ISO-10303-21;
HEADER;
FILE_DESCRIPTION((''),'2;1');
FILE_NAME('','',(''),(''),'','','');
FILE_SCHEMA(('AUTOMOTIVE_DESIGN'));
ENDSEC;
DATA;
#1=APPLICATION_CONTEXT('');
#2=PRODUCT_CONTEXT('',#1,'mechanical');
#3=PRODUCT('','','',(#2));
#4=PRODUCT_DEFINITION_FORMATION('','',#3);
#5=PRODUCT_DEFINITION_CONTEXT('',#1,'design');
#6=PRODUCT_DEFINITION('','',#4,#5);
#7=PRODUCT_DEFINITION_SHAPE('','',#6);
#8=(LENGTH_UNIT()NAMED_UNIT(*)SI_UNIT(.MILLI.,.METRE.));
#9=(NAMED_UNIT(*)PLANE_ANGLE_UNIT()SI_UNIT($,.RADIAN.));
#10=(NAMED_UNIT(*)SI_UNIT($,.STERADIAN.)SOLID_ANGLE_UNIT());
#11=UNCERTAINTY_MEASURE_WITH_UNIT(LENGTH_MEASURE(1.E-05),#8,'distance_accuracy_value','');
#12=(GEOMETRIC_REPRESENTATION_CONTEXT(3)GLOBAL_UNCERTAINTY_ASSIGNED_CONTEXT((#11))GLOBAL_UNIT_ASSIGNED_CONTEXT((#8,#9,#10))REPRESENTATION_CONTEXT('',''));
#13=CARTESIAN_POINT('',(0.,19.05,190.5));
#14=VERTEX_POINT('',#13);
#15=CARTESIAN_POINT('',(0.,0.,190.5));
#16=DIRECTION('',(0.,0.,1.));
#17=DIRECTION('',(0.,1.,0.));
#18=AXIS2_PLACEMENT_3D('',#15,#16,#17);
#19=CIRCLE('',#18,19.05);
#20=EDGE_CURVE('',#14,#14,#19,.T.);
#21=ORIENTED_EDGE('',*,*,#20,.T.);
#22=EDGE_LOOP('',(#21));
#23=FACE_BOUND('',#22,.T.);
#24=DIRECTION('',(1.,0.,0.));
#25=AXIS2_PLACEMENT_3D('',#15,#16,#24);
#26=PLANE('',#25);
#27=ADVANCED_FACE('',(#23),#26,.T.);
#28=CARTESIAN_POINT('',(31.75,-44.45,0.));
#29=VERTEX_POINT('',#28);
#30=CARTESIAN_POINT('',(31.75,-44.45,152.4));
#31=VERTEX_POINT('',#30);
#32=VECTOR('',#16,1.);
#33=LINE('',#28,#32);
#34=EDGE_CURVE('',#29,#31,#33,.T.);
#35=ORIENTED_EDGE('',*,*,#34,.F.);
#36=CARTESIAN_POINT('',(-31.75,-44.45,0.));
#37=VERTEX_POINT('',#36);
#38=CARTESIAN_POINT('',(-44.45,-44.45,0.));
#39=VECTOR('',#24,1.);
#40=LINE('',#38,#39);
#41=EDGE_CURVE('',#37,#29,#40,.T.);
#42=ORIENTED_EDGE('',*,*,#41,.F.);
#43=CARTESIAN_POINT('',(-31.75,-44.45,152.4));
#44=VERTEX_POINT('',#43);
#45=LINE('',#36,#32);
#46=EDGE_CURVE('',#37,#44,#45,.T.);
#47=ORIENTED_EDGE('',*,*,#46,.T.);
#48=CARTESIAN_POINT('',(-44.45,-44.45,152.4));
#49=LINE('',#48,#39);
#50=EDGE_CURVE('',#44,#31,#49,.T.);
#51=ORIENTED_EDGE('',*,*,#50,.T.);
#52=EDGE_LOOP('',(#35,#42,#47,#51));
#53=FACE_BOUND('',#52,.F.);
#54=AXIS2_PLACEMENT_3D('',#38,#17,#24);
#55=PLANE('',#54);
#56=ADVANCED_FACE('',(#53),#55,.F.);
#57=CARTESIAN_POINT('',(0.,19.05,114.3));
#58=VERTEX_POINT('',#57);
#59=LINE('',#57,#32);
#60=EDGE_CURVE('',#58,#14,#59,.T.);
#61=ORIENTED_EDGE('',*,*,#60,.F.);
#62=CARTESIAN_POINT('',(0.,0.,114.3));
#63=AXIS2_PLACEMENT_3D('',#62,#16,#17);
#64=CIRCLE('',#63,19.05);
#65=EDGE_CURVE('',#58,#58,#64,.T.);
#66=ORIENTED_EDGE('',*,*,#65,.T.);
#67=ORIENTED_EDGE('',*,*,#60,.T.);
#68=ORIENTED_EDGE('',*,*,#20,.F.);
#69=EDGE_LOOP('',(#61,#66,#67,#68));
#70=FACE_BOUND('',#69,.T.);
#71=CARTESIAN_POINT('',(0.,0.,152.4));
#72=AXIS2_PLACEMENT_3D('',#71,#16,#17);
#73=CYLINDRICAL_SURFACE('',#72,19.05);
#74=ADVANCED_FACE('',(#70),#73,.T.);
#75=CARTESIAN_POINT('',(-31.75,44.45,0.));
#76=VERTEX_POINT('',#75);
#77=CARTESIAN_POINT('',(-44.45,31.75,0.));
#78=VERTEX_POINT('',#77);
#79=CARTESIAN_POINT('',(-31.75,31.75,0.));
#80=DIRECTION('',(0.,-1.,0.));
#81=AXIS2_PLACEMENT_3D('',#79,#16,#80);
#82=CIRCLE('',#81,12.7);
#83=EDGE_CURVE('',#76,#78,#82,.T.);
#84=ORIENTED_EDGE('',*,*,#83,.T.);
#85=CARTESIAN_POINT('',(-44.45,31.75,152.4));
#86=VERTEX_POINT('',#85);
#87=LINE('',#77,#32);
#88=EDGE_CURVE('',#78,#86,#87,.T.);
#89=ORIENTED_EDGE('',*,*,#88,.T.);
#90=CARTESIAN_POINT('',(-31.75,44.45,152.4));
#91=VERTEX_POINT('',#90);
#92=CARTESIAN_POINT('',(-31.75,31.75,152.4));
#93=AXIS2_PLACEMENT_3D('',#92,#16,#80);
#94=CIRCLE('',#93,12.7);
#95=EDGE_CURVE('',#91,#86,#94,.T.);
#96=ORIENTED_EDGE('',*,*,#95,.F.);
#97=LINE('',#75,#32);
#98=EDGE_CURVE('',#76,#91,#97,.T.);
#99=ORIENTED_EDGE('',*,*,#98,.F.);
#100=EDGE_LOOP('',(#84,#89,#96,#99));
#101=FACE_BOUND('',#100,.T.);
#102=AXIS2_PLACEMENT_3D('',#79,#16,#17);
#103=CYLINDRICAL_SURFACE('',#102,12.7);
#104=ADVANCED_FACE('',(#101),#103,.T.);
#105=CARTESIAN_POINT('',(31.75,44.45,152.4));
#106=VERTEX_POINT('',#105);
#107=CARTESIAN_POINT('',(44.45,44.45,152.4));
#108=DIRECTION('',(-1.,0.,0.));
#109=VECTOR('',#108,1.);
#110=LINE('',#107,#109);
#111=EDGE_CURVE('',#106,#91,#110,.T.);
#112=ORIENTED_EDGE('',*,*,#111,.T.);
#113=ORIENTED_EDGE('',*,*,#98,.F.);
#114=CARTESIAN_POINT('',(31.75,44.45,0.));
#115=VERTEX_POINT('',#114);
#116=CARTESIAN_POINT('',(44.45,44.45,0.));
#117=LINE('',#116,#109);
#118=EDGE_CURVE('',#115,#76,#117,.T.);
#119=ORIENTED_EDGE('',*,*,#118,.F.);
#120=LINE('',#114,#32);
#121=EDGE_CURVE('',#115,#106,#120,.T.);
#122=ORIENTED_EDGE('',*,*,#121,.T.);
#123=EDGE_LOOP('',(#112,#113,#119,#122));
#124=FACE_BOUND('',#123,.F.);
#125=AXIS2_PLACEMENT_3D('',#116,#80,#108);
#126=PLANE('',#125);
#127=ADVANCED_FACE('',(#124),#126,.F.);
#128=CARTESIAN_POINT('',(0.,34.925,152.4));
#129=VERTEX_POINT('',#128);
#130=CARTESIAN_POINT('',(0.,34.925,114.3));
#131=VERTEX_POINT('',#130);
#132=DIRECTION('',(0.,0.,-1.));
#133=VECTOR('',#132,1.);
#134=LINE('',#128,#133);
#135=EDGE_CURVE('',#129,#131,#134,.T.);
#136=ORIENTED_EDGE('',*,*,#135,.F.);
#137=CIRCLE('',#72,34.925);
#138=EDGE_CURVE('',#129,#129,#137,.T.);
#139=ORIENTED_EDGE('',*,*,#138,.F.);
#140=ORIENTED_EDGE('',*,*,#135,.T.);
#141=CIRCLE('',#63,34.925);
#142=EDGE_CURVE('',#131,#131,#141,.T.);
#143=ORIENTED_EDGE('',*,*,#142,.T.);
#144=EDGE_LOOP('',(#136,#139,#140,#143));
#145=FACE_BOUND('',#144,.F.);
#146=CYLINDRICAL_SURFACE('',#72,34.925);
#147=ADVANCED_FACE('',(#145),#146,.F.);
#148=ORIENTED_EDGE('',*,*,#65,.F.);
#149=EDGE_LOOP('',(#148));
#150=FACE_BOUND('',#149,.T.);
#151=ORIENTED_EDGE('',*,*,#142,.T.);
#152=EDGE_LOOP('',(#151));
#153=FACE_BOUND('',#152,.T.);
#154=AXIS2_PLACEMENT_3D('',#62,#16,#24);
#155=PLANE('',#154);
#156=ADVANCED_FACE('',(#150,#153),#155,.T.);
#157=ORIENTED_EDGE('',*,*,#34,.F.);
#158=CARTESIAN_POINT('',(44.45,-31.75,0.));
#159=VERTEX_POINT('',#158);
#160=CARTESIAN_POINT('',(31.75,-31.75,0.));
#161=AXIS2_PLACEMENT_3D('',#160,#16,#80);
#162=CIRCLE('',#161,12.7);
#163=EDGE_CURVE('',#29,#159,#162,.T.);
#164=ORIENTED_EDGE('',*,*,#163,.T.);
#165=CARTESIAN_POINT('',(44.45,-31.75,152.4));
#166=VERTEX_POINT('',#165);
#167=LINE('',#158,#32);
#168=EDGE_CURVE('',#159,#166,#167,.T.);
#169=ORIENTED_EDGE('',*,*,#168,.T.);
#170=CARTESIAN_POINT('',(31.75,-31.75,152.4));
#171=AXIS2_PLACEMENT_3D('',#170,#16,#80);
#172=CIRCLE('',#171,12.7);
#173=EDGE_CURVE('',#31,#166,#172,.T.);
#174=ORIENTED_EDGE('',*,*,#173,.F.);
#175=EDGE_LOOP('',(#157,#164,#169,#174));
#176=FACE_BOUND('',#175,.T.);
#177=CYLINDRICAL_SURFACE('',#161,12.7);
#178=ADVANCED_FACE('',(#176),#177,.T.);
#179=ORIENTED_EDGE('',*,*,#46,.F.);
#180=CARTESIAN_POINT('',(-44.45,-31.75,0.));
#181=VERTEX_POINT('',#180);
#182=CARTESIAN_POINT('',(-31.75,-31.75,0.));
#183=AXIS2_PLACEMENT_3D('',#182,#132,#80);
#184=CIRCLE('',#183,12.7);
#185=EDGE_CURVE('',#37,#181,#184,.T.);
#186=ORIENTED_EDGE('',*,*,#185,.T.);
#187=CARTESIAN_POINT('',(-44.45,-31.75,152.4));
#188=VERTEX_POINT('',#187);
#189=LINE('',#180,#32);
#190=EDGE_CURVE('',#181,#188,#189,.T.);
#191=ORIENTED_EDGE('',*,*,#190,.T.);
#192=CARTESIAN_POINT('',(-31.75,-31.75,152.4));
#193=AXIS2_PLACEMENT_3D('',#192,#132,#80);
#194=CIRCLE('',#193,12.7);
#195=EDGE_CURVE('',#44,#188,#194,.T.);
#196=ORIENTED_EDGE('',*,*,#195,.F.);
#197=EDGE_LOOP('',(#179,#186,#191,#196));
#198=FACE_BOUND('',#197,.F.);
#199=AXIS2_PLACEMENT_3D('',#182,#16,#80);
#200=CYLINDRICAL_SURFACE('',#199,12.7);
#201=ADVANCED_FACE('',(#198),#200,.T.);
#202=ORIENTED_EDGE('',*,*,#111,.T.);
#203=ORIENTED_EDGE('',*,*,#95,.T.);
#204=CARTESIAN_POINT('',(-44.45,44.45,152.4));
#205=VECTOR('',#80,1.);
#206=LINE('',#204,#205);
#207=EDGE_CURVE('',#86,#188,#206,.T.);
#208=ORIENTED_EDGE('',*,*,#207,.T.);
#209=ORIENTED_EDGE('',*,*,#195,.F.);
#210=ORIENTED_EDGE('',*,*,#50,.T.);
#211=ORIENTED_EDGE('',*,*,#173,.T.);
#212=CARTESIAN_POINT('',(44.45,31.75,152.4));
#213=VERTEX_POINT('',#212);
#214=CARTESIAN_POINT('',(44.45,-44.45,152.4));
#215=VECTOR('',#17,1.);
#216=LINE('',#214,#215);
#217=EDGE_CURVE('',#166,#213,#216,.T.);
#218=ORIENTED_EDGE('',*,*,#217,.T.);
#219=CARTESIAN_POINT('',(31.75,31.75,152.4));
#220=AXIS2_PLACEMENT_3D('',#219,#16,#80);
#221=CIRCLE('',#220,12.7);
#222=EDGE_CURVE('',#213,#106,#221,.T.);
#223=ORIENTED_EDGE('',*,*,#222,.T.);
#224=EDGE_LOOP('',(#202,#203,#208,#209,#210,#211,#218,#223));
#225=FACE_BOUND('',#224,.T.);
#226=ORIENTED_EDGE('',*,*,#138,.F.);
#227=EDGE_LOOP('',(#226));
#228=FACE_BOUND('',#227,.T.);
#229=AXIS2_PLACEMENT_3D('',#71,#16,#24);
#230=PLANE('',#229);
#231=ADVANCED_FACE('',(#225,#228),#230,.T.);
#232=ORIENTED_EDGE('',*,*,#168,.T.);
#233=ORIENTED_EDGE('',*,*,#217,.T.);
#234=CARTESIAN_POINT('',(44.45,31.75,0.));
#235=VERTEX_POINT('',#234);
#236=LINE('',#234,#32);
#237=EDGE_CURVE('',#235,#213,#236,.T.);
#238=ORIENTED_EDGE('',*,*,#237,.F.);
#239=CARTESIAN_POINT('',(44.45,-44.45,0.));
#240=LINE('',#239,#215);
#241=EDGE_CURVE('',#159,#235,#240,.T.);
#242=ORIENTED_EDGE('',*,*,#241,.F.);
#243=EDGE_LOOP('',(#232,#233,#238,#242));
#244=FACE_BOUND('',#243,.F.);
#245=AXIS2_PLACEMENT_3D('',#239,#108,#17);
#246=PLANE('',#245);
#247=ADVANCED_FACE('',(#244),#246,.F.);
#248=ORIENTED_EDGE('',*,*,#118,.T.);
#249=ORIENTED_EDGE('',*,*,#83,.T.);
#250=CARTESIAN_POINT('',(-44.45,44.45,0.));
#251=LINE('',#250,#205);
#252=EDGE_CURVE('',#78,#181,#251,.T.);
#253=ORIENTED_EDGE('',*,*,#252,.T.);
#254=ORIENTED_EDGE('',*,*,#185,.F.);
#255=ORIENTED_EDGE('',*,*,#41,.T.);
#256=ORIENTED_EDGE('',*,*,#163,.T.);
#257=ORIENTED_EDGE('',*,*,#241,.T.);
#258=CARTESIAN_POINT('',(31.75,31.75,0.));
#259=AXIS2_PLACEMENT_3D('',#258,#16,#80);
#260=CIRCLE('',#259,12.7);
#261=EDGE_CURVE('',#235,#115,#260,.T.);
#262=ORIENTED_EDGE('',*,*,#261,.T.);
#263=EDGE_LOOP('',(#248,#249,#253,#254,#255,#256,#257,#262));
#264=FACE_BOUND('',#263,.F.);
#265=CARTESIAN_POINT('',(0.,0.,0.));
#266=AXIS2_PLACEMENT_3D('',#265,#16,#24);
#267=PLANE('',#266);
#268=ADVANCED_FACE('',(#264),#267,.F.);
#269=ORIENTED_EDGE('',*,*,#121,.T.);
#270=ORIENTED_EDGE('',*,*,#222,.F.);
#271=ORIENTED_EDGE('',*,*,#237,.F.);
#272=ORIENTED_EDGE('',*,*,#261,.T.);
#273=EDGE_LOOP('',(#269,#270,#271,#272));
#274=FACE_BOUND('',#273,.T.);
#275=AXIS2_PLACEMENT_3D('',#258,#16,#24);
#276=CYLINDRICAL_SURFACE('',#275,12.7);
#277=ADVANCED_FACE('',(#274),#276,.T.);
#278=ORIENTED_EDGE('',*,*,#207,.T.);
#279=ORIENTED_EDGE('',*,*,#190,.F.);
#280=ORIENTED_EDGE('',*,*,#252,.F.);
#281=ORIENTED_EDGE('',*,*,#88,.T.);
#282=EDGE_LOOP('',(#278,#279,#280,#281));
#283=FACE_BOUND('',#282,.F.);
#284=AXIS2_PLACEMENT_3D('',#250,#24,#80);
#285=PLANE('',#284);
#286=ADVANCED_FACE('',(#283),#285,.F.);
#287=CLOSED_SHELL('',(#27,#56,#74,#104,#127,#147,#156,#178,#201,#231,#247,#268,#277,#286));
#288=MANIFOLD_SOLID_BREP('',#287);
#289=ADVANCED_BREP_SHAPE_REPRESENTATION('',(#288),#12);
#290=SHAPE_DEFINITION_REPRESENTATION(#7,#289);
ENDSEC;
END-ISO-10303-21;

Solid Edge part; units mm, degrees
sketch "Sketch1" plane through (0, 0, 0) normal (0, 0, 1) x (1, 0, 0)
  line L0 (-44.45, -44.45) -> (44.45, -44.45)
  line L1 (44.45, -44.45) -> (44.45, 44.45)
  line L2 (44.45, 44.45) -> (-44.45, 44.45)
  line L3 (-44.45, 44.45) -> (-44.45, -44.45)
extrude "Protrusion1" add sketch "Sketch1" along normal blind 152.4
fillet "Round_1" radius 12.7 4 edges at (44.45, -44.45, 76.2) (-44.45, -44.45, 76.2) (44.45, 44.45, 76.2) (-44.45, 44.45, 76.2)
sketch "Sketch2" plane through (0, 0, 152.4) normal (0, 0, 1) x (0, 1, 0)
  circle A0 centre (0, 0) radius 34.925
extrude "ExtrudedCutout_1" cut sketch "Sketch2" against normal blind 38.1
sketch "Sketch3" plane through (0, 0, 152.4) normal (0, 0, 1) x (0, 1, 0)
  circle A0 centre (0, 0) radius 19.05
extrude "Protrusion2" add sketch "Sketch3" against normal up to next
sketch "Sketch4" plane through (0, 0, 152.4) normal (0, 0, 1) x (0, 1, 0)
  circle A0 centre (0, 0) radius 19.05
extrude "ExtrudedProtrusion_3" add sketch "Sketch4" along normal blind 38.1
